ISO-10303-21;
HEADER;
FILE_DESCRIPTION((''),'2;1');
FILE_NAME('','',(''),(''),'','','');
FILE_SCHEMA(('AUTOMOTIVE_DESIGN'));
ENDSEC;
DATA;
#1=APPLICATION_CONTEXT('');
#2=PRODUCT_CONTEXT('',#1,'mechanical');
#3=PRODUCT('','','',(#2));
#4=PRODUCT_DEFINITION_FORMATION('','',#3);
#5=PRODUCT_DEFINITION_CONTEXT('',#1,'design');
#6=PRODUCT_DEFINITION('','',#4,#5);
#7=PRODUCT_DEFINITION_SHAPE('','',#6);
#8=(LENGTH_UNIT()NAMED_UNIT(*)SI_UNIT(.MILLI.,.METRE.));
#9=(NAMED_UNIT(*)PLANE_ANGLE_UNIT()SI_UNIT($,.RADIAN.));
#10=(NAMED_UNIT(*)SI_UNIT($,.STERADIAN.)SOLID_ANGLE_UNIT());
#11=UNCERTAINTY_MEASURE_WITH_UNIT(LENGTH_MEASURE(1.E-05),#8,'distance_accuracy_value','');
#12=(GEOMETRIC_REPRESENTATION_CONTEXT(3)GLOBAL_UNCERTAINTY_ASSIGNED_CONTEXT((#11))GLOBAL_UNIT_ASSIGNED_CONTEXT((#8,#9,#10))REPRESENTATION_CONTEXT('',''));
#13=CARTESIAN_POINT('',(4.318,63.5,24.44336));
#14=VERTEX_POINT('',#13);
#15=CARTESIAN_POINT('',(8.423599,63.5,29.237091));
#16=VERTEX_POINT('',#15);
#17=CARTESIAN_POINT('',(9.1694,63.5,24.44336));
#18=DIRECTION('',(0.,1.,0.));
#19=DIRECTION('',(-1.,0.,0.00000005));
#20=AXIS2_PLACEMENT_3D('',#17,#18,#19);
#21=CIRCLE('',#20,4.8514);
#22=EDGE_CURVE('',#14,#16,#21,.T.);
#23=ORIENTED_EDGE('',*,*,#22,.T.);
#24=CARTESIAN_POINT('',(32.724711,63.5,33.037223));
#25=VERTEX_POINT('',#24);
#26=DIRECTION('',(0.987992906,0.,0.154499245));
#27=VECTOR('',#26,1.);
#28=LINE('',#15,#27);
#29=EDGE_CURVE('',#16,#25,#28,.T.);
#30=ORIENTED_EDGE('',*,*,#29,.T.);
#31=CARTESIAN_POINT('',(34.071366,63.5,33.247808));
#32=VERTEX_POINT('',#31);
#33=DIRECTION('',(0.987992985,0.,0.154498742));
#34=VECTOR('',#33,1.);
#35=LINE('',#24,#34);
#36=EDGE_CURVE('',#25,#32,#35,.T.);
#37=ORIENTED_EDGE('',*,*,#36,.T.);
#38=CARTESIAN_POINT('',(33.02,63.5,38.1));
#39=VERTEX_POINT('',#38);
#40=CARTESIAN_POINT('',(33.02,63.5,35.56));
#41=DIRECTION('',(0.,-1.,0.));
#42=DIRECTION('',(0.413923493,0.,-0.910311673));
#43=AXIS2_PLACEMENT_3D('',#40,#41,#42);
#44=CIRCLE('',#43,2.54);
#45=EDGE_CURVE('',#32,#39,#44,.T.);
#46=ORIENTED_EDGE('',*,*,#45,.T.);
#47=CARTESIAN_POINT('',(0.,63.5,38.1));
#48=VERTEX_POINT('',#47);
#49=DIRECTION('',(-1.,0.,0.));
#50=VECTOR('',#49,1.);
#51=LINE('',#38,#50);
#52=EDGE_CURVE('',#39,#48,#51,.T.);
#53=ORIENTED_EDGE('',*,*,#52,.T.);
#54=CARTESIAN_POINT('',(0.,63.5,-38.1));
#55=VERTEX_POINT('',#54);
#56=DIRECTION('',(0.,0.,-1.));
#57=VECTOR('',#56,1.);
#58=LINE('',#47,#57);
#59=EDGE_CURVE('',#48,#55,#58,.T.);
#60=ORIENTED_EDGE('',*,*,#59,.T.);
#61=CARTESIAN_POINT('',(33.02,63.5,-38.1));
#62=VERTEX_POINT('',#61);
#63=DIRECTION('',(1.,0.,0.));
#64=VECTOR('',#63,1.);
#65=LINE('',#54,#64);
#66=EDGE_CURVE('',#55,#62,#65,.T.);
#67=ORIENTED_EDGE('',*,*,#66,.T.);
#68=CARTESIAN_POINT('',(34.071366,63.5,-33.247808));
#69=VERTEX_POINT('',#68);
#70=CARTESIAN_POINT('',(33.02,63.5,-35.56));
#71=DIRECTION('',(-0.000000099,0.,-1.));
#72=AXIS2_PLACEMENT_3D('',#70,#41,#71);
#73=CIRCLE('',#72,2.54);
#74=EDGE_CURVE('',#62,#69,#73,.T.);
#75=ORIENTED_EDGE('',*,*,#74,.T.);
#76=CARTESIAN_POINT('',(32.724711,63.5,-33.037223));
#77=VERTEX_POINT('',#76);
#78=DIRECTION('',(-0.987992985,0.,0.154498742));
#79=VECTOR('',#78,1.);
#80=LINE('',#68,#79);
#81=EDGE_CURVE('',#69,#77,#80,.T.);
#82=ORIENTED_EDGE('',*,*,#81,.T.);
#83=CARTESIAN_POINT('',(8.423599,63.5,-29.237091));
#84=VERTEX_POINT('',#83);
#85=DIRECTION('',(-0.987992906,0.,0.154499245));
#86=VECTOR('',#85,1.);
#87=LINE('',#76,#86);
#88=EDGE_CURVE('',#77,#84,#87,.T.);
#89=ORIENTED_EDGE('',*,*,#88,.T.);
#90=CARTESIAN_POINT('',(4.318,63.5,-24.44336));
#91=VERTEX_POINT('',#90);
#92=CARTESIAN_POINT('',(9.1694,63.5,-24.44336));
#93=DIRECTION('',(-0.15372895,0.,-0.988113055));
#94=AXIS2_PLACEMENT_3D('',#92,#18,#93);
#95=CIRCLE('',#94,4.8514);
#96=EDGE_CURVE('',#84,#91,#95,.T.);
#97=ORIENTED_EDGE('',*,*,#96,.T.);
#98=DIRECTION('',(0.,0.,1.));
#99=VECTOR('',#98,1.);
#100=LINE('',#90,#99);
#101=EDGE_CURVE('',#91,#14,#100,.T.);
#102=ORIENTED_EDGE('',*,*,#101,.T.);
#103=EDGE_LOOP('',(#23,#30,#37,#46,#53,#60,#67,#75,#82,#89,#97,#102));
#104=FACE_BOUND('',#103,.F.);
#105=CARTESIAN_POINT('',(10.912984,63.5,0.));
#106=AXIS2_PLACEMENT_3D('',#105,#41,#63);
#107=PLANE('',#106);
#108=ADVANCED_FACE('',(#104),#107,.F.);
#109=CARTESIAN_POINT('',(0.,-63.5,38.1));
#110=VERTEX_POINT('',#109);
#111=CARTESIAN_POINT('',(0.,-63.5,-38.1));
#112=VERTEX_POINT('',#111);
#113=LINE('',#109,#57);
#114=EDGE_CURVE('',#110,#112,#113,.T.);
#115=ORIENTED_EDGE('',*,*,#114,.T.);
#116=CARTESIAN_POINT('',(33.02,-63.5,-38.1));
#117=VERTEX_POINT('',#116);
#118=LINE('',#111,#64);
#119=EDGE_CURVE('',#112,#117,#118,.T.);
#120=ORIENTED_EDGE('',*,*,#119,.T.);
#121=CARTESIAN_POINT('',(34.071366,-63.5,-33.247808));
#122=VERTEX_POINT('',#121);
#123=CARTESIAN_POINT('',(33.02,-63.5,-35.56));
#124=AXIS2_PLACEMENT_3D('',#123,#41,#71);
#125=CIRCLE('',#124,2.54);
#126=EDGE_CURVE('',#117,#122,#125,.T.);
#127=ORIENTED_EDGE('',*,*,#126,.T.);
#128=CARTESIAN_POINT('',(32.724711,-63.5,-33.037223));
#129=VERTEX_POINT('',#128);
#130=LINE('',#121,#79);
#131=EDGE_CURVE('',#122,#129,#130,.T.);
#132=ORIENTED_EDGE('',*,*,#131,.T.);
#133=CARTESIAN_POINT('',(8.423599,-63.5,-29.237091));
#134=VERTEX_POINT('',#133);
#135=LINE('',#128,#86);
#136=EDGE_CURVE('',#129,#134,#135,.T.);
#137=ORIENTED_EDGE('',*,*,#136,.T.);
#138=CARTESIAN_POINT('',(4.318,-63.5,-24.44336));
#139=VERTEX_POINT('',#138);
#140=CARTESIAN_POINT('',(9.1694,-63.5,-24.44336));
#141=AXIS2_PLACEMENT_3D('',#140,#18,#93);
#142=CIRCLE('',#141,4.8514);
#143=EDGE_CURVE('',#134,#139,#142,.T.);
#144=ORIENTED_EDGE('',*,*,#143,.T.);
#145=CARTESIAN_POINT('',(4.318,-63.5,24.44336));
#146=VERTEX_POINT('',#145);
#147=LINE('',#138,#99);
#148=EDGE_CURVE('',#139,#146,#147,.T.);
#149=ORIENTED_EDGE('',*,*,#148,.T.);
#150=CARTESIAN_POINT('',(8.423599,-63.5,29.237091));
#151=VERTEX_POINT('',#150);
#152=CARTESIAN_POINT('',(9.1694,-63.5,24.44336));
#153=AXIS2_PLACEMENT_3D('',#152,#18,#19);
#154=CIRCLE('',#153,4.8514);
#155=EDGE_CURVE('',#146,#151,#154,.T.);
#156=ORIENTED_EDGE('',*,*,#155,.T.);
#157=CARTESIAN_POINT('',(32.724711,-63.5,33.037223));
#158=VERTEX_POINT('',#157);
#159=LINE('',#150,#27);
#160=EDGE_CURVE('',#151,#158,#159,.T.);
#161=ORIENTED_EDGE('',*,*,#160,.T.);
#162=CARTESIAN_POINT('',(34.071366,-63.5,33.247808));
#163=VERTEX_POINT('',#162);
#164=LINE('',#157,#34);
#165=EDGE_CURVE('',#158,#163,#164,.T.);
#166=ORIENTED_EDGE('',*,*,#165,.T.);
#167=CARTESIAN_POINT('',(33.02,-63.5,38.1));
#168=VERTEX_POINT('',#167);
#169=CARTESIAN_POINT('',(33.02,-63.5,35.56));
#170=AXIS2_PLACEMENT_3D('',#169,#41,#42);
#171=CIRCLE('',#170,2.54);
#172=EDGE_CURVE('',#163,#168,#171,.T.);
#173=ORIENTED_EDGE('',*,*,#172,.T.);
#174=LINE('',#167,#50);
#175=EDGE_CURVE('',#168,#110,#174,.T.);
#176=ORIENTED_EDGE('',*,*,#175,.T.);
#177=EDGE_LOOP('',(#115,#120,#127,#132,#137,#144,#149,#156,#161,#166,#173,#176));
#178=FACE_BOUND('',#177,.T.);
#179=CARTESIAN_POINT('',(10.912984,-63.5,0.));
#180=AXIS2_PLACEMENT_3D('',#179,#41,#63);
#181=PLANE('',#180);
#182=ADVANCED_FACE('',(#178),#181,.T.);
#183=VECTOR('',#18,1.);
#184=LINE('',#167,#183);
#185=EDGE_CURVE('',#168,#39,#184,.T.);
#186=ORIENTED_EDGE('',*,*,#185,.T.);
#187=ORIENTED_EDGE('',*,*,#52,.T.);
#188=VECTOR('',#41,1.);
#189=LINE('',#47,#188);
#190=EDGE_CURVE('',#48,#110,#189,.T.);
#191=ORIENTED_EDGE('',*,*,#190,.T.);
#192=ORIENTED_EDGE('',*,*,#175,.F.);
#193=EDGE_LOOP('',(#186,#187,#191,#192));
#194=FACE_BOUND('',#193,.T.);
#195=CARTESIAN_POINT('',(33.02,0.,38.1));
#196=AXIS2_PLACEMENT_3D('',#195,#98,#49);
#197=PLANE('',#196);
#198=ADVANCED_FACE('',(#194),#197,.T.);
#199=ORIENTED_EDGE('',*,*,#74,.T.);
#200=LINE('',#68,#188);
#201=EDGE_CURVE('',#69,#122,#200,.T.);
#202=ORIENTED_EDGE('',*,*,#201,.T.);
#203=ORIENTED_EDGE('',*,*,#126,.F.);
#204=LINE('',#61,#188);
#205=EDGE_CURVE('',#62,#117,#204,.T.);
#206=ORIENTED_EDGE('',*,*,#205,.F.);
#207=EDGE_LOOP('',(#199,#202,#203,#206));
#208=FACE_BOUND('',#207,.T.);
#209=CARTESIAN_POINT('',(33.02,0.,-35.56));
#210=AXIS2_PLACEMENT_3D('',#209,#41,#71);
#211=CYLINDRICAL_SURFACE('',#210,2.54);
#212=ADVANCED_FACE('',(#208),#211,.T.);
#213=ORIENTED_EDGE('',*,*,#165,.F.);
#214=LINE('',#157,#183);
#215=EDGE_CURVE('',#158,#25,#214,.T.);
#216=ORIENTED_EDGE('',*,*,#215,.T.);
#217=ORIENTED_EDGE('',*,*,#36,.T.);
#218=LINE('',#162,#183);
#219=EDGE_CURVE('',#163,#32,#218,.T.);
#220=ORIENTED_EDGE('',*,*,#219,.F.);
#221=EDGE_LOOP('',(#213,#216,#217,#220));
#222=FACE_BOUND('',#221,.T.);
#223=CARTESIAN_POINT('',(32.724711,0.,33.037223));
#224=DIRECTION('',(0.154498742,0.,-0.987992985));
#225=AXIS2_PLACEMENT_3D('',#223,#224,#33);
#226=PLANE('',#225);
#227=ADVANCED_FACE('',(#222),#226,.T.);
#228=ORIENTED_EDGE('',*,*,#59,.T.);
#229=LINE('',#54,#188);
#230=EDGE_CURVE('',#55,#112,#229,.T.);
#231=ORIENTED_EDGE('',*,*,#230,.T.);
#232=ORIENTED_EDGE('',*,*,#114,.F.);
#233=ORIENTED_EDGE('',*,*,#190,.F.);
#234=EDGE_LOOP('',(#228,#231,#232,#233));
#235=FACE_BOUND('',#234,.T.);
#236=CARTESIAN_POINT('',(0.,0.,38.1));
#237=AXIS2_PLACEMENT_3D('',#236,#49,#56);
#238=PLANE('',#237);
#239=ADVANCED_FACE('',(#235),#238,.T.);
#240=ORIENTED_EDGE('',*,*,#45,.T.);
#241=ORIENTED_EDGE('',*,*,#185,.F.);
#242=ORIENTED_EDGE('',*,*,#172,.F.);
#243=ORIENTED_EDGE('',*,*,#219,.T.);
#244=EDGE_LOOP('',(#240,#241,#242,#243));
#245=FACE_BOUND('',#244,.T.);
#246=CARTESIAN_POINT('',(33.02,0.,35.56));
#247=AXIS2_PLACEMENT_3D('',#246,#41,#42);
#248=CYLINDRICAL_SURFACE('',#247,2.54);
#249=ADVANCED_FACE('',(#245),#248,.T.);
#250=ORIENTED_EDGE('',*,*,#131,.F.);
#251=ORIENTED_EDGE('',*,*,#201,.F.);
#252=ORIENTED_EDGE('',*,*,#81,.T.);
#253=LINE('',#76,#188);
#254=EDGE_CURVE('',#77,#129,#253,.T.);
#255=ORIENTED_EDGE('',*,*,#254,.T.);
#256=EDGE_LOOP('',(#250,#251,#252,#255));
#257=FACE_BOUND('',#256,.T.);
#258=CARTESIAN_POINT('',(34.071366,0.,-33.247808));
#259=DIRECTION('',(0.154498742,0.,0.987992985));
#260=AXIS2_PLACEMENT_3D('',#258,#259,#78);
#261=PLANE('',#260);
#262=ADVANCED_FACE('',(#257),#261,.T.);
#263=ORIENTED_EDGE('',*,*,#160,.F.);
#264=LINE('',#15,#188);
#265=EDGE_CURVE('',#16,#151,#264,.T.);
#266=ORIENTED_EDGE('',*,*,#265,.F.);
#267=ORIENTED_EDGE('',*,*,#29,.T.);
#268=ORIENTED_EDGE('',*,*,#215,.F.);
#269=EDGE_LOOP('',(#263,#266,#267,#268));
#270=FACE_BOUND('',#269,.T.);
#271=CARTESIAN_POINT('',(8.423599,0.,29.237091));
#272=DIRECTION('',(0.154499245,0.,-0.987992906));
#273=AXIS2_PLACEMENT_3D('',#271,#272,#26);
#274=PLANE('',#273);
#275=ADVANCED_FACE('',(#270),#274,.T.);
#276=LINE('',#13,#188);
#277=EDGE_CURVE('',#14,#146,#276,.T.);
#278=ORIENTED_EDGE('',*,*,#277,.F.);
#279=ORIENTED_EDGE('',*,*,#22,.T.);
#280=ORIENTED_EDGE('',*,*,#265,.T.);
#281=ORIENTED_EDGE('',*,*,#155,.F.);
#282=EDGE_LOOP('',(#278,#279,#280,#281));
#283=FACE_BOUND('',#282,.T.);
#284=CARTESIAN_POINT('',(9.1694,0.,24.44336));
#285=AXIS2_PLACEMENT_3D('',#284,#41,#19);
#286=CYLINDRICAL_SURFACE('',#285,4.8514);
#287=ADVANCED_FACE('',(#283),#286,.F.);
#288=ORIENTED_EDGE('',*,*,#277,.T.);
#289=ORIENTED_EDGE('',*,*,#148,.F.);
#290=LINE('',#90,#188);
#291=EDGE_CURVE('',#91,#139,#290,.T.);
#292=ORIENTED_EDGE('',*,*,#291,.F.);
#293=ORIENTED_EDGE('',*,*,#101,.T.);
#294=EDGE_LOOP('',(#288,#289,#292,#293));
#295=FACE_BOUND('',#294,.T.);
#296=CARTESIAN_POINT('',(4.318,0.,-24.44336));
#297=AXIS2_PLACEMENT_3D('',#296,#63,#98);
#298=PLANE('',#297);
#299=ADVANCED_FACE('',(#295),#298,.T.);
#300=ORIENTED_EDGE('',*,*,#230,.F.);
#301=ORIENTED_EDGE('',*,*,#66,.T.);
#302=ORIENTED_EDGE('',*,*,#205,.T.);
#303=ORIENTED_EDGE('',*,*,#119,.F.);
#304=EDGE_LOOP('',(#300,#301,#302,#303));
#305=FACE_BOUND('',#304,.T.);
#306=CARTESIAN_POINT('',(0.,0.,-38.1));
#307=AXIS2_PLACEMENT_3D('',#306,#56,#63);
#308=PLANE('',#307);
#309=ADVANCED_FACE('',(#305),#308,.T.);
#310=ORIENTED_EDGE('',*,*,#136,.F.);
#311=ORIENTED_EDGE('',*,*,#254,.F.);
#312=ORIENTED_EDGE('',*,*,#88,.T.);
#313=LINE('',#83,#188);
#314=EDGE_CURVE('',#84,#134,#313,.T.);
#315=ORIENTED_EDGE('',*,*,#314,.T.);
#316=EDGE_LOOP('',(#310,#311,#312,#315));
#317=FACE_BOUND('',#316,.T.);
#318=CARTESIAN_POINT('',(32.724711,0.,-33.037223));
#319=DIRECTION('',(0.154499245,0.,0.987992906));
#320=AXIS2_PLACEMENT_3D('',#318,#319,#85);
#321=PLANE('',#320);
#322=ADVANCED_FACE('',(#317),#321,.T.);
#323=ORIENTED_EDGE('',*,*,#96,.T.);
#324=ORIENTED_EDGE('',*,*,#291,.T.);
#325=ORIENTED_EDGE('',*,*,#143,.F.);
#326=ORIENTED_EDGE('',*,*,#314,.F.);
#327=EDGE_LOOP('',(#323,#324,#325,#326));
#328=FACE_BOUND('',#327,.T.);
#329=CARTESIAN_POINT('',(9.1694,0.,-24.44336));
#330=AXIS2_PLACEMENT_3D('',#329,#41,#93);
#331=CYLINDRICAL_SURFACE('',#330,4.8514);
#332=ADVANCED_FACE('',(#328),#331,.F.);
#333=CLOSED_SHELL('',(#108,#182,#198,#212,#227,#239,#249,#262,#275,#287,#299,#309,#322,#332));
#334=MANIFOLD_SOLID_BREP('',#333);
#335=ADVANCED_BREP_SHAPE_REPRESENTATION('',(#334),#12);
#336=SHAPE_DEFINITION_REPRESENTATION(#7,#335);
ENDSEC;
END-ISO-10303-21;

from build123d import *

# Parameters (mm, degrees)
F1_DEPTH = 63.5


with BuildPart() as f1:
    # F0 (on Front) → F1 (new body, symmetric)
    with BuildSketch(Plane.XZ):
        with BuildLine():
            Line((33.02, 38.1), (0, 38.1))
            Line((0, 38.1), (0, 0))
            Line((0, 0), (0, -38.1))
            Line((0, -38.1), (33.02, -38.1))
            ThreePointArc((33.02, -38.1), (35.502395, -36.097882), (34.071366, -33.247808))
            Line((34.071366, -33.247808), (32.724711, -33.037223))
            Line((32.724711, -33.037223), (8.423599, -29.237091))
            ThreePointArc((8.423599, -29.237091), (5.484684, -27.59914), (4.318, -24.44336))
            Line((4.318, -24.44336), (4.318, 0))
            Line((4.318, 0), (4.318, 24.44336))
            ThreePointArc((4.318, 24.44336), (5.484684, 27.59914), (8.423599, 29.237091))
            Line((8.423599, 29.237091), (32.724711, 33.037223))
            Line((32.724711, 33.037223), (34.071366, 33.247808))
            ThreePointArc((34.071366, 33.247808), (35.502395, 36.097882), (33.02, 38.1))
        make_face()
    extrude(amount=F1_DEPTH, both=True)


solid = f1.part
